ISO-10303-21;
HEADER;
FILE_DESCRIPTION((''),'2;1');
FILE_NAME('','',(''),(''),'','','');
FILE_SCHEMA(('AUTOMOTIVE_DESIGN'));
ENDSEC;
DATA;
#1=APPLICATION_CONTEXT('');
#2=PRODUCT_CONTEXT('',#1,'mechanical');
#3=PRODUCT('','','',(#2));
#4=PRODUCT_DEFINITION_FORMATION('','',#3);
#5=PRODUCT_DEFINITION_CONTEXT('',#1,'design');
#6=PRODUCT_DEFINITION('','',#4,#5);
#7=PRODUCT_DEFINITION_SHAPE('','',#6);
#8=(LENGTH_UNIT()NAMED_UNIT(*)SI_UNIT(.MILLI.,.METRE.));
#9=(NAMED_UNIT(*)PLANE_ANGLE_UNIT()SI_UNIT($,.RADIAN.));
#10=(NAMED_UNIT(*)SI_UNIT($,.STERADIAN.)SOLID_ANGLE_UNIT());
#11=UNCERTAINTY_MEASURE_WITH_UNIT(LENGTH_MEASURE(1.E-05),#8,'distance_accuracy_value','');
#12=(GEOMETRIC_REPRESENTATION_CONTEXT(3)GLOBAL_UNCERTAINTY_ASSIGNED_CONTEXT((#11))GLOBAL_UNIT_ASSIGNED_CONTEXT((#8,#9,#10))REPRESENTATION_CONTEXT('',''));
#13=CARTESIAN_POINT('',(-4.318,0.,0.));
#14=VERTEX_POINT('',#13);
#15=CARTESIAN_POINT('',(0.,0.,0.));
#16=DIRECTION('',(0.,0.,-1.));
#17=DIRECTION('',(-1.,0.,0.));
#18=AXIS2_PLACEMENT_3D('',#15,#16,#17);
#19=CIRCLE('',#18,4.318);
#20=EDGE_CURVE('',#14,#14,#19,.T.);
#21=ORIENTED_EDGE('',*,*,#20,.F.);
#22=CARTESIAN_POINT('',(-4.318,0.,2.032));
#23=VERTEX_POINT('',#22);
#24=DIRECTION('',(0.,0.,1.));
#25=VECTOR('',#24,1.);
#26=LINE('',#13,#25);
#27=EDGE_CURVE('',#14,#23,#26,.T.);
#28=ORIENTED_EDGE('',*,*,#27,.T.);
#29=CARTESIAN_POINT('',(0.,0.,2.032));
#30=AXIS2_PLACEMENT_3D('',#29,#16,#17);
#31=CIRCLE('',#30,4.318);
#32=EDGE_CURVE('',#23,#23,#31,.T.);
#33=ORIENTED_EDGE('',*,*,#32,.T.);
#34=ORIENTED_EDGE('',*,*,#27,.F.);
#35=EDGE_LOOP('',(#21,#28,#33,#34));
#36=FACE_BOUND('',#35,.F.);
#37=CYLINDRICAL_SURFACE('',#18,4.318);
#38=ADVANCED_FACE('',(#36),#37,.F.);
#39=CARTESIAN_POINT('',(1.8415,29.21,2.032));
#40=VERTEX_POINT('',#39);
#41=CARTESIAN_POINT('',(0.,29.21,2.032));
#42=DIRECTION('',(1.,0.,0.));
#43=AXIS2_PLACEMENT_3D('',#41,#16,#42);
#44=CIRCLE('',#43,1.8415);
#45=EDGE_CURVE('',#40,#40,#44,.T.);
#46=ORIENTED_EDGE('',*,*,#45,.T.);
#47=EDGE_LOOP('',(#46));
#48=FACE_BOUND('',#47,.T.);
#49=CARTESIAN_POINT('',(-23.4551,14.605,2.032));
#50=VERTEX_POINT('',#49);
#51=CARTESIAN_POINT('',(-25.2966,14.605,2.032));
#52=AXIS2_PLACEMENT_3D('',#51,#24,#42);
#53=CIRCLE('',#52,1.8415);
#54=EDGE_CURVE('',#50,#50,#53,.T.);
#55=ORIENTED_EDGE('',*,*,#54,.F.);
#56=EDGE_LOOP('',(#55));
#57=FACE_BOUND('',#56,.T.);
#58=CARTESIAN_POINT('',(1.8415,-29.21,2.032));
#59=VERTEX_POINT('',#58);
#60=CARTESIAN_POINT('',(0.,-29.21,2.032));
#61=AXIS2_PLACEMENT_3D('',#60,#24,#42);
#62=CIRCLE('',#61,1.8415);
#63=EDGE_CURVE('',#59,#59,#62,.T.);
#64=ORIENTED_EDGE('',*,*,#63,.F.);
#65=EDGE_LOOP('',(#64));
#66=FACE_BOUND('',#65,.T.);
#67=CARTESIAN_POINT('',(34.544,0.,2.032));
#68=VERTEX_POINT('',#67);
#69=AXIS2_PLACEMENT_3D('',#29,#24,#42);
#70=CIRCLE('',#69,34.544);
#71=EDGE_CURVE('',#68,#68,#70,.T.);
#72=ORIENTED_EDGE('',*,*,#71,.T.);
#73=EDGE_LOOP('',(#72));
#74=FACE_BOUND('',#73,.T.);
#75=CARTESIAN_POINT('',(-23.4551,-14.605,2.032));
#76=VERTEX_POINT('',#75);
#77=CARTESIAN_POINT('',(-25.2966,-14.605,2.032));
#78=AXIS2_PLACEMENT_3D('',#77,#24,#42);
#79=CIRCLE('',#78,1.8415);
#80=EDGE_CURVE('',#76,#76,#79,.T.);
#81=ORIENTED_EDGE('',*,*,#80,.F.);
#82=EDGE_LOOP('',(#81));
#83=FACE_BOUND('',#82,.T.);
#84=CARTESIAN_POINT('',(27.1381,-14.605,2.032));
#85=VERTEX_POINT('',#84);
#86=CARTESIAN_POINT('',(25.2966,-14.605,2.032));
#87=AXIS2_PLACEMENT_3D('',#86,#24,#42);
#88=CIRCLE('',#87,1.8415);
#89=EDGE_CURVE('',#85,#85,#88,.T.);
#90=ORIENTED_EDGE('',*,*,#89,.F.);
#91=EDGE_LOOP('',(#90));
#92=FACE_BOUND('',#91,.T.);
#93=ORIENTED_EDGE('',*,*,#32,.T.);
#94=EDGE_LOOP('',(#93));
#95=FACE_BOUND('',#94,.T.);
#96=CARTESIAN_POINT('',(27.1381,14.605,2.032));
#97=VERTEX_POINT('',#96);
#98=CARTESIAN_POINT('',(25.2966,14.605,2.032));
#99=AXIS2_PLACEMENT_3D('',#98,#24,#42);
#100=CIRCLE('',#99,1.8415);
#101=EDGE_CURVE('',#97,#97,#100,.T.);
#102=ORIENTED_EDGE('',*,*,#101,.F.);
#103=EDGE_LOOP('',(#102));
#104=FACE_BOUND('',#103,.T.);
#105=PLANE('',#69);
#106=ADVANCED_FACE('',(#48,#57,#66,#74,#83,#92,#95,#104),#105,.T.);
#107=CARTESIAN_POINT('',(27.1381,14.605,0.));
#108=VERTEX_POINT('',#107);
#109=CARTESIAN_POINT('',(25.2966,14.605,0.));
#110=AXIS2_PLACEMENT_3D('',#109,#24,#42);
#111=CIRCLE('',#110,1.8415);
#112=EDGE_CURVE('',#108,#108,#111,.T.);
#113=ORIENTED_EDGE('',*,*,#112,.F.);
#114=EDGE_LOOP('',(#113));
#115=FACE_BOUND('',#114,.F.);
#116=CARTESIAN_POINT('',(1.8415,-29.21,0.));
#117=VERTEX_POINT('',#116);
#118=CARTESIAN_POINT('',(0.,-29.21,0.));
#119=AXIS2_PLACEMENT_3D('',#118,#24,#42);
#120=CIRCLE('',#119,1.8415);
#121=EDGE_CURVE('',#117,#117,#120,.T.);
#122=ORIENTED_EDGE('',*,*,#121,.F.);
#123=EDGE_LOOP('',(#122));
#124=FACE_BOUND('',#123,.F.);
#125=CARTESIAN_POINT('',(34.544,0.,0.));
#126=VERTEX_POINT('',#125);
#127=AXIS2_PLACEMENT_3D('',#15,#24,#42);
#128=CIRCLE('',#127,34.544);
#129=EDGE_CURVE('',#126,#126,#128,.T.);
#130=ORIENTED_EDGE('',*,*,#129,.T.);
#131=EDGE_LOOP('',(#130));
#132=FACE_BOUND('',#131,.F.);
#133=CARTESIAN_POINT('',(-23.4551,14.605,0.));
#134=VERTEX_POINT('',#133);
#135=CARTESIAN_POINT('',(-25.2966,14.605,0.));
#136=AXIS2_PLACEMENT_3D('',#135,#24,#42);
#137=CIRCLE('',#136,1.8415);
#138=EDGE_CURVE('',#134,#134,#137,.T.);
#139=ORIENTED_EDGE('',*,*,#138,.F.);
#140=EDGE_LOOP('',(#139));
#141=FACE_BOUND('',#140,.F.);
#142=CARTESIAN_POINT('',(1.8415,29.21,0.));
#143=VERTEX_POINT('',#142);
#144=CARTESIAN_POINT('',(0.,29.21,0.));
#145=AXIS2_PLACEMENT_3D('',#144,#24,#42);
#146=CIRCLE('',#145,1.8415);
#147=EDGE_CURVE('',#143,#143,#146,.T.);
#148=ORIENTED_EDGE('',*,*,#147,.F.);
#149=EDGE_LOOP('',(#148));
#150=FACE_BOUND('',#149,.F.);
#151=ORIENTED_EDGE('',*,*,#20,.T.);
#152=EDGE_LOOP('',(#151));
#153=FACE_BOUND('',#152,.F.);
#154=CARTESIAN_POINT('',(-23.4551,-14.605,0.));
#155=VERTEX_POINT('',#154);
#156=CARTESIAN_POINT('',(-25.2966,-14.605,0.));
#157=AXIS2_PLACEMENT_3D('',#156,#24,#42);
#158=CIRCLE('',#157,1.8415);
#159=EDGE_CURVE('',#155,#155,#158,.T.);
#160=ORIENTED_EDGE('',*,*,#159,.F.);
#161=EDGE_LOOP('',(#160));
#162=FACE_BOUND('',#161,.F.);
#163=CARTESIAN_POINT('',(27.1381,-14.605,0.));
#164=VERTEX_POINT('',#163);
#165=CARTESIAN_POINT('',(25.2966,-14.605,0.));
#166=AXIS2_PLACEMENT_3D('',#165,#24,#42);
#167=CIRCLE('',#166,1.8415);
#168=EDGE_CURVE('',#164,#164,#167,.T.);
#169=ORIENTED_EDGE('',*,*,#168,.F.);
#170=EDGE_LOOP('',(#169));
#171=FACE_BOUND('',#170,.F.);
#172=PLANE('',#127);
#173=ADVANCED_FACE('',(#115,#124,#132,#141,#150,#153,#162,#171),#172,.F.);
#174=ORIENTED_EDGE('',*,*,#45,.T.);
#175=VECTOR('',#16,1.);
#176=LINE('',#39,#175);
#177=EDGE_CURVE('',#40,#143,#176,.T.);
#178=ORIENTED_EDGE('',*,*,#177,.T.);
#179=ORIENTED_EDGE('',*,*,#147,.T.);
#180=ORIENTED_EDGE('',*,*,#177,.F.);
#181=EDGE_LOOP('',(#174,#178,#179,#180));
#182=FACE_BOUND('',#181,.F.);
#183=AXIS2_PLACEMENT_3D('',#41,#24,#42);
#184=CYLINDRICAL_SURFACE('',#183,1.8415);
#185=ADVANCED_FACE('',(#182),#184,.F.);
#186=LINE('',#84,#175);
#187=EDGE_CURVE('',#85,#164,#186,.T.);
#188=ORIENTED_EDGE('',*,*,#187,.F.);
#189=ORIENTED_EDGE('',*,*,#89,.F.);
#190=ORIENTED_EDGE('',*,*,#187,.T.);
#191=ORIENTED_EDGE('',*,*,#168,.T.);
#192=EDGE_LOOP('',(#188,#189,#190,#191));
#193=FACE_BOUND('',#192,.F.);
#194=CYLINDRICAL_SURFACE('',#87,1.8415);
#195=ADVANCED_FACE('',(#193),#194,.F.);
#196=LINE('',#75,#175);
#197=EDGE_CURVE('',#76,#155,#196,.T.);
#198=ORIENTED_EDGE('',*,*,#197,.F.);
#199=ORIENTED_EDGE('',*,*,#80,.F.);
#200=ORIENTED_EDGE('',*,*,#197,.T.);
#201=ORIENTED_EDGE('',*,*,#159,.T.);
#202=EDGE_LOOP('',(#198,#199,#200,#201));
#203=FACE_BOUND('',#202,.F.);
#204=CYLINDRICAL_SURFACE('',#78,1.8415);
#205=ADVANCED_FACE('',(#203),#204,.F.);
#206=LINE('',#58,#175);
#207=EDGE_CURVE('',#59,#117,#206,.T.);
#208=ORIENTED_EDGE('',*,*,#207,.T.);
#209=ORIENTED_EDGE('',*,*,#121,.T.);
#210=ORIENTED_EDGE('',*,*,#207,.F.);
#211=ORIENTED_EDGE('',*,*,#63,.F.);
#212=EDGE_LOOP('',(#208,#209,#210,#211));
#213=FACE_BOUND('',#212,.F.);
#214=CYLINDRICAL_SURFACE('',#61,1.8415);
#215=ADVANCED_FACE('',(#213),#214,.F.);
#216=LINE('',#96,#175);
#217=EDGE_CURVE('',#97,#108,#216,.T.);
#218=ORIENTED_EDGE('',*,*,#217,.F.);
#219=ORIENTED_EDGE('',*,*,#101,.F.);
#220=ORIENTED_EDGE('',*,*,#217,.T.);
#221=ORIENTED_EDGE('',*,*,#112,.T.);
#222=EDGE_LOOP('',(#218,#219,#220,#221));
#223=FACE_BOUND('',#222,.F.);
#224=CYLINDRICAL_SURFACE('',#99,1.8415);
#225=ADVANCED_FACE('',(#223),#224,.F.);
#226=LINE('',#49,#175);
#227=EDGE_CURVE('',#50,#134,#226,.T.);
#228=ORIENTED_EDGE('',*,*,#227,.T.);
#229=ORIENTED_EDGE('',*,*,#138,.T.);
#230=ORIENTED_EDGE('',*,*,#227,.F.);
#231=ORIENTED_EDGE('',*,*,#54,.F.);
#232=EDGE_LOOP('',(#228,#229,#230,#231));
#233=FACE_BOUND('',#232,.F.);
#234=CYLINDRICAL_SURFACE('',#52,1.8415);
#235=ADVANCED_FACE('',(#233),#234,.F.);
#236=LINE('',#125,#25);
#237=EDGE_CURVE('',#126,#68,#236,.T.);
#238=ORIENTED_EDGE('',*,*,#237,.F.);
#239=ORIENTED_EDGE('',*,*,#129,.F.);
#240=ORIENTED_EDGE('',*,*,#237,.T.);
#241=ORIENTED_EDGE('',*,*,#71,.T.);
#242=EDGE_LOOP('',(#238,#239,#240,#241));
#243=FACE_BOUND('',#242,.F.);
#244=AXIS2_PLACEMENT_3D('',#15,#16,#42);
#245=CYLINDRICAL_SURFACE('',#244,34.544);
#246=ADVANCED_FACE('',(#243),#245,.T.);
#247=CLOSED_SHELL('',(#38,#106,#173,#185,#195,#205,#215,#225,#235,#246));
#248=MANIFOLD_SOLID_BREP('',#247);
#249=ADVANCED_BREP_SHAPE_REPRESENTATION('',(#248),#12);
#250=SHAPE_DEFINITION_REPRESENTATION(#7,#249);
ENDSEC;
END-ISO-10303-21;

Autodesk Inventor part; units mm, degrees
ref_plane "YZ Plane" through (0, 0, 0) normal (1, 0, 0) x (0, 1, 0)
ref_plane "XZ Plane" through (0, 0, 0) normal (0, 1, 0) x (-1, 0, 0)
ref_plane "XY Plane" through (0, 0, 0) normal (0, 0, 1) x (1, 0, 0)
sketch "Sketch1" plane through (0, 0, 0) normal (0, 0, 1) x (1, 0, 0)
  circle A0 centre (0, 0) radius 34.544
  dimension "d0" = 69.088
extrude "Extrusion1" add sketch "Sketch1" along normal blind 2.032
sketch "Sketch2" plane through (0, 0, 2.032) normal (0, 0, 1) x (1, 0, 0)
  line L0 (0, 0) -> (0, 29.21)
  circle A0 centre (0, 29.21) radius 1.8415
  circle A1 centre (-25.2966, 14.605) radius 1.8415
  circle A2 centre (-25.2966, -14.605) radius 1.8415
  circle A3 centre (0, -29.21) radius 1.8415
  circle A4 centre (25.2966, -14.605) radius 1.8415
  circle A5 centre (25.2966, 14.605) radius 1.8415
  dimension "d3" = 29.21
  dimension "d4" = 3.683
  dimension "d7" = 360
extrude "Extrusion2" cut sketch "Sketch2" against normal blind 2.4765
sketch "Sketch4" plane through (0, 0, 0) normal (0, 0, -1) x (-1, 0, 0)
  circle A0 centre (0, 0) radius 4.318
  dimension "d15" = 8.636
extrude "Extrusion4" cut sketch "Sketch4" against normal blind 2.4765
properties part number "pistonSealingWallFront" material "ABS Plastic"
